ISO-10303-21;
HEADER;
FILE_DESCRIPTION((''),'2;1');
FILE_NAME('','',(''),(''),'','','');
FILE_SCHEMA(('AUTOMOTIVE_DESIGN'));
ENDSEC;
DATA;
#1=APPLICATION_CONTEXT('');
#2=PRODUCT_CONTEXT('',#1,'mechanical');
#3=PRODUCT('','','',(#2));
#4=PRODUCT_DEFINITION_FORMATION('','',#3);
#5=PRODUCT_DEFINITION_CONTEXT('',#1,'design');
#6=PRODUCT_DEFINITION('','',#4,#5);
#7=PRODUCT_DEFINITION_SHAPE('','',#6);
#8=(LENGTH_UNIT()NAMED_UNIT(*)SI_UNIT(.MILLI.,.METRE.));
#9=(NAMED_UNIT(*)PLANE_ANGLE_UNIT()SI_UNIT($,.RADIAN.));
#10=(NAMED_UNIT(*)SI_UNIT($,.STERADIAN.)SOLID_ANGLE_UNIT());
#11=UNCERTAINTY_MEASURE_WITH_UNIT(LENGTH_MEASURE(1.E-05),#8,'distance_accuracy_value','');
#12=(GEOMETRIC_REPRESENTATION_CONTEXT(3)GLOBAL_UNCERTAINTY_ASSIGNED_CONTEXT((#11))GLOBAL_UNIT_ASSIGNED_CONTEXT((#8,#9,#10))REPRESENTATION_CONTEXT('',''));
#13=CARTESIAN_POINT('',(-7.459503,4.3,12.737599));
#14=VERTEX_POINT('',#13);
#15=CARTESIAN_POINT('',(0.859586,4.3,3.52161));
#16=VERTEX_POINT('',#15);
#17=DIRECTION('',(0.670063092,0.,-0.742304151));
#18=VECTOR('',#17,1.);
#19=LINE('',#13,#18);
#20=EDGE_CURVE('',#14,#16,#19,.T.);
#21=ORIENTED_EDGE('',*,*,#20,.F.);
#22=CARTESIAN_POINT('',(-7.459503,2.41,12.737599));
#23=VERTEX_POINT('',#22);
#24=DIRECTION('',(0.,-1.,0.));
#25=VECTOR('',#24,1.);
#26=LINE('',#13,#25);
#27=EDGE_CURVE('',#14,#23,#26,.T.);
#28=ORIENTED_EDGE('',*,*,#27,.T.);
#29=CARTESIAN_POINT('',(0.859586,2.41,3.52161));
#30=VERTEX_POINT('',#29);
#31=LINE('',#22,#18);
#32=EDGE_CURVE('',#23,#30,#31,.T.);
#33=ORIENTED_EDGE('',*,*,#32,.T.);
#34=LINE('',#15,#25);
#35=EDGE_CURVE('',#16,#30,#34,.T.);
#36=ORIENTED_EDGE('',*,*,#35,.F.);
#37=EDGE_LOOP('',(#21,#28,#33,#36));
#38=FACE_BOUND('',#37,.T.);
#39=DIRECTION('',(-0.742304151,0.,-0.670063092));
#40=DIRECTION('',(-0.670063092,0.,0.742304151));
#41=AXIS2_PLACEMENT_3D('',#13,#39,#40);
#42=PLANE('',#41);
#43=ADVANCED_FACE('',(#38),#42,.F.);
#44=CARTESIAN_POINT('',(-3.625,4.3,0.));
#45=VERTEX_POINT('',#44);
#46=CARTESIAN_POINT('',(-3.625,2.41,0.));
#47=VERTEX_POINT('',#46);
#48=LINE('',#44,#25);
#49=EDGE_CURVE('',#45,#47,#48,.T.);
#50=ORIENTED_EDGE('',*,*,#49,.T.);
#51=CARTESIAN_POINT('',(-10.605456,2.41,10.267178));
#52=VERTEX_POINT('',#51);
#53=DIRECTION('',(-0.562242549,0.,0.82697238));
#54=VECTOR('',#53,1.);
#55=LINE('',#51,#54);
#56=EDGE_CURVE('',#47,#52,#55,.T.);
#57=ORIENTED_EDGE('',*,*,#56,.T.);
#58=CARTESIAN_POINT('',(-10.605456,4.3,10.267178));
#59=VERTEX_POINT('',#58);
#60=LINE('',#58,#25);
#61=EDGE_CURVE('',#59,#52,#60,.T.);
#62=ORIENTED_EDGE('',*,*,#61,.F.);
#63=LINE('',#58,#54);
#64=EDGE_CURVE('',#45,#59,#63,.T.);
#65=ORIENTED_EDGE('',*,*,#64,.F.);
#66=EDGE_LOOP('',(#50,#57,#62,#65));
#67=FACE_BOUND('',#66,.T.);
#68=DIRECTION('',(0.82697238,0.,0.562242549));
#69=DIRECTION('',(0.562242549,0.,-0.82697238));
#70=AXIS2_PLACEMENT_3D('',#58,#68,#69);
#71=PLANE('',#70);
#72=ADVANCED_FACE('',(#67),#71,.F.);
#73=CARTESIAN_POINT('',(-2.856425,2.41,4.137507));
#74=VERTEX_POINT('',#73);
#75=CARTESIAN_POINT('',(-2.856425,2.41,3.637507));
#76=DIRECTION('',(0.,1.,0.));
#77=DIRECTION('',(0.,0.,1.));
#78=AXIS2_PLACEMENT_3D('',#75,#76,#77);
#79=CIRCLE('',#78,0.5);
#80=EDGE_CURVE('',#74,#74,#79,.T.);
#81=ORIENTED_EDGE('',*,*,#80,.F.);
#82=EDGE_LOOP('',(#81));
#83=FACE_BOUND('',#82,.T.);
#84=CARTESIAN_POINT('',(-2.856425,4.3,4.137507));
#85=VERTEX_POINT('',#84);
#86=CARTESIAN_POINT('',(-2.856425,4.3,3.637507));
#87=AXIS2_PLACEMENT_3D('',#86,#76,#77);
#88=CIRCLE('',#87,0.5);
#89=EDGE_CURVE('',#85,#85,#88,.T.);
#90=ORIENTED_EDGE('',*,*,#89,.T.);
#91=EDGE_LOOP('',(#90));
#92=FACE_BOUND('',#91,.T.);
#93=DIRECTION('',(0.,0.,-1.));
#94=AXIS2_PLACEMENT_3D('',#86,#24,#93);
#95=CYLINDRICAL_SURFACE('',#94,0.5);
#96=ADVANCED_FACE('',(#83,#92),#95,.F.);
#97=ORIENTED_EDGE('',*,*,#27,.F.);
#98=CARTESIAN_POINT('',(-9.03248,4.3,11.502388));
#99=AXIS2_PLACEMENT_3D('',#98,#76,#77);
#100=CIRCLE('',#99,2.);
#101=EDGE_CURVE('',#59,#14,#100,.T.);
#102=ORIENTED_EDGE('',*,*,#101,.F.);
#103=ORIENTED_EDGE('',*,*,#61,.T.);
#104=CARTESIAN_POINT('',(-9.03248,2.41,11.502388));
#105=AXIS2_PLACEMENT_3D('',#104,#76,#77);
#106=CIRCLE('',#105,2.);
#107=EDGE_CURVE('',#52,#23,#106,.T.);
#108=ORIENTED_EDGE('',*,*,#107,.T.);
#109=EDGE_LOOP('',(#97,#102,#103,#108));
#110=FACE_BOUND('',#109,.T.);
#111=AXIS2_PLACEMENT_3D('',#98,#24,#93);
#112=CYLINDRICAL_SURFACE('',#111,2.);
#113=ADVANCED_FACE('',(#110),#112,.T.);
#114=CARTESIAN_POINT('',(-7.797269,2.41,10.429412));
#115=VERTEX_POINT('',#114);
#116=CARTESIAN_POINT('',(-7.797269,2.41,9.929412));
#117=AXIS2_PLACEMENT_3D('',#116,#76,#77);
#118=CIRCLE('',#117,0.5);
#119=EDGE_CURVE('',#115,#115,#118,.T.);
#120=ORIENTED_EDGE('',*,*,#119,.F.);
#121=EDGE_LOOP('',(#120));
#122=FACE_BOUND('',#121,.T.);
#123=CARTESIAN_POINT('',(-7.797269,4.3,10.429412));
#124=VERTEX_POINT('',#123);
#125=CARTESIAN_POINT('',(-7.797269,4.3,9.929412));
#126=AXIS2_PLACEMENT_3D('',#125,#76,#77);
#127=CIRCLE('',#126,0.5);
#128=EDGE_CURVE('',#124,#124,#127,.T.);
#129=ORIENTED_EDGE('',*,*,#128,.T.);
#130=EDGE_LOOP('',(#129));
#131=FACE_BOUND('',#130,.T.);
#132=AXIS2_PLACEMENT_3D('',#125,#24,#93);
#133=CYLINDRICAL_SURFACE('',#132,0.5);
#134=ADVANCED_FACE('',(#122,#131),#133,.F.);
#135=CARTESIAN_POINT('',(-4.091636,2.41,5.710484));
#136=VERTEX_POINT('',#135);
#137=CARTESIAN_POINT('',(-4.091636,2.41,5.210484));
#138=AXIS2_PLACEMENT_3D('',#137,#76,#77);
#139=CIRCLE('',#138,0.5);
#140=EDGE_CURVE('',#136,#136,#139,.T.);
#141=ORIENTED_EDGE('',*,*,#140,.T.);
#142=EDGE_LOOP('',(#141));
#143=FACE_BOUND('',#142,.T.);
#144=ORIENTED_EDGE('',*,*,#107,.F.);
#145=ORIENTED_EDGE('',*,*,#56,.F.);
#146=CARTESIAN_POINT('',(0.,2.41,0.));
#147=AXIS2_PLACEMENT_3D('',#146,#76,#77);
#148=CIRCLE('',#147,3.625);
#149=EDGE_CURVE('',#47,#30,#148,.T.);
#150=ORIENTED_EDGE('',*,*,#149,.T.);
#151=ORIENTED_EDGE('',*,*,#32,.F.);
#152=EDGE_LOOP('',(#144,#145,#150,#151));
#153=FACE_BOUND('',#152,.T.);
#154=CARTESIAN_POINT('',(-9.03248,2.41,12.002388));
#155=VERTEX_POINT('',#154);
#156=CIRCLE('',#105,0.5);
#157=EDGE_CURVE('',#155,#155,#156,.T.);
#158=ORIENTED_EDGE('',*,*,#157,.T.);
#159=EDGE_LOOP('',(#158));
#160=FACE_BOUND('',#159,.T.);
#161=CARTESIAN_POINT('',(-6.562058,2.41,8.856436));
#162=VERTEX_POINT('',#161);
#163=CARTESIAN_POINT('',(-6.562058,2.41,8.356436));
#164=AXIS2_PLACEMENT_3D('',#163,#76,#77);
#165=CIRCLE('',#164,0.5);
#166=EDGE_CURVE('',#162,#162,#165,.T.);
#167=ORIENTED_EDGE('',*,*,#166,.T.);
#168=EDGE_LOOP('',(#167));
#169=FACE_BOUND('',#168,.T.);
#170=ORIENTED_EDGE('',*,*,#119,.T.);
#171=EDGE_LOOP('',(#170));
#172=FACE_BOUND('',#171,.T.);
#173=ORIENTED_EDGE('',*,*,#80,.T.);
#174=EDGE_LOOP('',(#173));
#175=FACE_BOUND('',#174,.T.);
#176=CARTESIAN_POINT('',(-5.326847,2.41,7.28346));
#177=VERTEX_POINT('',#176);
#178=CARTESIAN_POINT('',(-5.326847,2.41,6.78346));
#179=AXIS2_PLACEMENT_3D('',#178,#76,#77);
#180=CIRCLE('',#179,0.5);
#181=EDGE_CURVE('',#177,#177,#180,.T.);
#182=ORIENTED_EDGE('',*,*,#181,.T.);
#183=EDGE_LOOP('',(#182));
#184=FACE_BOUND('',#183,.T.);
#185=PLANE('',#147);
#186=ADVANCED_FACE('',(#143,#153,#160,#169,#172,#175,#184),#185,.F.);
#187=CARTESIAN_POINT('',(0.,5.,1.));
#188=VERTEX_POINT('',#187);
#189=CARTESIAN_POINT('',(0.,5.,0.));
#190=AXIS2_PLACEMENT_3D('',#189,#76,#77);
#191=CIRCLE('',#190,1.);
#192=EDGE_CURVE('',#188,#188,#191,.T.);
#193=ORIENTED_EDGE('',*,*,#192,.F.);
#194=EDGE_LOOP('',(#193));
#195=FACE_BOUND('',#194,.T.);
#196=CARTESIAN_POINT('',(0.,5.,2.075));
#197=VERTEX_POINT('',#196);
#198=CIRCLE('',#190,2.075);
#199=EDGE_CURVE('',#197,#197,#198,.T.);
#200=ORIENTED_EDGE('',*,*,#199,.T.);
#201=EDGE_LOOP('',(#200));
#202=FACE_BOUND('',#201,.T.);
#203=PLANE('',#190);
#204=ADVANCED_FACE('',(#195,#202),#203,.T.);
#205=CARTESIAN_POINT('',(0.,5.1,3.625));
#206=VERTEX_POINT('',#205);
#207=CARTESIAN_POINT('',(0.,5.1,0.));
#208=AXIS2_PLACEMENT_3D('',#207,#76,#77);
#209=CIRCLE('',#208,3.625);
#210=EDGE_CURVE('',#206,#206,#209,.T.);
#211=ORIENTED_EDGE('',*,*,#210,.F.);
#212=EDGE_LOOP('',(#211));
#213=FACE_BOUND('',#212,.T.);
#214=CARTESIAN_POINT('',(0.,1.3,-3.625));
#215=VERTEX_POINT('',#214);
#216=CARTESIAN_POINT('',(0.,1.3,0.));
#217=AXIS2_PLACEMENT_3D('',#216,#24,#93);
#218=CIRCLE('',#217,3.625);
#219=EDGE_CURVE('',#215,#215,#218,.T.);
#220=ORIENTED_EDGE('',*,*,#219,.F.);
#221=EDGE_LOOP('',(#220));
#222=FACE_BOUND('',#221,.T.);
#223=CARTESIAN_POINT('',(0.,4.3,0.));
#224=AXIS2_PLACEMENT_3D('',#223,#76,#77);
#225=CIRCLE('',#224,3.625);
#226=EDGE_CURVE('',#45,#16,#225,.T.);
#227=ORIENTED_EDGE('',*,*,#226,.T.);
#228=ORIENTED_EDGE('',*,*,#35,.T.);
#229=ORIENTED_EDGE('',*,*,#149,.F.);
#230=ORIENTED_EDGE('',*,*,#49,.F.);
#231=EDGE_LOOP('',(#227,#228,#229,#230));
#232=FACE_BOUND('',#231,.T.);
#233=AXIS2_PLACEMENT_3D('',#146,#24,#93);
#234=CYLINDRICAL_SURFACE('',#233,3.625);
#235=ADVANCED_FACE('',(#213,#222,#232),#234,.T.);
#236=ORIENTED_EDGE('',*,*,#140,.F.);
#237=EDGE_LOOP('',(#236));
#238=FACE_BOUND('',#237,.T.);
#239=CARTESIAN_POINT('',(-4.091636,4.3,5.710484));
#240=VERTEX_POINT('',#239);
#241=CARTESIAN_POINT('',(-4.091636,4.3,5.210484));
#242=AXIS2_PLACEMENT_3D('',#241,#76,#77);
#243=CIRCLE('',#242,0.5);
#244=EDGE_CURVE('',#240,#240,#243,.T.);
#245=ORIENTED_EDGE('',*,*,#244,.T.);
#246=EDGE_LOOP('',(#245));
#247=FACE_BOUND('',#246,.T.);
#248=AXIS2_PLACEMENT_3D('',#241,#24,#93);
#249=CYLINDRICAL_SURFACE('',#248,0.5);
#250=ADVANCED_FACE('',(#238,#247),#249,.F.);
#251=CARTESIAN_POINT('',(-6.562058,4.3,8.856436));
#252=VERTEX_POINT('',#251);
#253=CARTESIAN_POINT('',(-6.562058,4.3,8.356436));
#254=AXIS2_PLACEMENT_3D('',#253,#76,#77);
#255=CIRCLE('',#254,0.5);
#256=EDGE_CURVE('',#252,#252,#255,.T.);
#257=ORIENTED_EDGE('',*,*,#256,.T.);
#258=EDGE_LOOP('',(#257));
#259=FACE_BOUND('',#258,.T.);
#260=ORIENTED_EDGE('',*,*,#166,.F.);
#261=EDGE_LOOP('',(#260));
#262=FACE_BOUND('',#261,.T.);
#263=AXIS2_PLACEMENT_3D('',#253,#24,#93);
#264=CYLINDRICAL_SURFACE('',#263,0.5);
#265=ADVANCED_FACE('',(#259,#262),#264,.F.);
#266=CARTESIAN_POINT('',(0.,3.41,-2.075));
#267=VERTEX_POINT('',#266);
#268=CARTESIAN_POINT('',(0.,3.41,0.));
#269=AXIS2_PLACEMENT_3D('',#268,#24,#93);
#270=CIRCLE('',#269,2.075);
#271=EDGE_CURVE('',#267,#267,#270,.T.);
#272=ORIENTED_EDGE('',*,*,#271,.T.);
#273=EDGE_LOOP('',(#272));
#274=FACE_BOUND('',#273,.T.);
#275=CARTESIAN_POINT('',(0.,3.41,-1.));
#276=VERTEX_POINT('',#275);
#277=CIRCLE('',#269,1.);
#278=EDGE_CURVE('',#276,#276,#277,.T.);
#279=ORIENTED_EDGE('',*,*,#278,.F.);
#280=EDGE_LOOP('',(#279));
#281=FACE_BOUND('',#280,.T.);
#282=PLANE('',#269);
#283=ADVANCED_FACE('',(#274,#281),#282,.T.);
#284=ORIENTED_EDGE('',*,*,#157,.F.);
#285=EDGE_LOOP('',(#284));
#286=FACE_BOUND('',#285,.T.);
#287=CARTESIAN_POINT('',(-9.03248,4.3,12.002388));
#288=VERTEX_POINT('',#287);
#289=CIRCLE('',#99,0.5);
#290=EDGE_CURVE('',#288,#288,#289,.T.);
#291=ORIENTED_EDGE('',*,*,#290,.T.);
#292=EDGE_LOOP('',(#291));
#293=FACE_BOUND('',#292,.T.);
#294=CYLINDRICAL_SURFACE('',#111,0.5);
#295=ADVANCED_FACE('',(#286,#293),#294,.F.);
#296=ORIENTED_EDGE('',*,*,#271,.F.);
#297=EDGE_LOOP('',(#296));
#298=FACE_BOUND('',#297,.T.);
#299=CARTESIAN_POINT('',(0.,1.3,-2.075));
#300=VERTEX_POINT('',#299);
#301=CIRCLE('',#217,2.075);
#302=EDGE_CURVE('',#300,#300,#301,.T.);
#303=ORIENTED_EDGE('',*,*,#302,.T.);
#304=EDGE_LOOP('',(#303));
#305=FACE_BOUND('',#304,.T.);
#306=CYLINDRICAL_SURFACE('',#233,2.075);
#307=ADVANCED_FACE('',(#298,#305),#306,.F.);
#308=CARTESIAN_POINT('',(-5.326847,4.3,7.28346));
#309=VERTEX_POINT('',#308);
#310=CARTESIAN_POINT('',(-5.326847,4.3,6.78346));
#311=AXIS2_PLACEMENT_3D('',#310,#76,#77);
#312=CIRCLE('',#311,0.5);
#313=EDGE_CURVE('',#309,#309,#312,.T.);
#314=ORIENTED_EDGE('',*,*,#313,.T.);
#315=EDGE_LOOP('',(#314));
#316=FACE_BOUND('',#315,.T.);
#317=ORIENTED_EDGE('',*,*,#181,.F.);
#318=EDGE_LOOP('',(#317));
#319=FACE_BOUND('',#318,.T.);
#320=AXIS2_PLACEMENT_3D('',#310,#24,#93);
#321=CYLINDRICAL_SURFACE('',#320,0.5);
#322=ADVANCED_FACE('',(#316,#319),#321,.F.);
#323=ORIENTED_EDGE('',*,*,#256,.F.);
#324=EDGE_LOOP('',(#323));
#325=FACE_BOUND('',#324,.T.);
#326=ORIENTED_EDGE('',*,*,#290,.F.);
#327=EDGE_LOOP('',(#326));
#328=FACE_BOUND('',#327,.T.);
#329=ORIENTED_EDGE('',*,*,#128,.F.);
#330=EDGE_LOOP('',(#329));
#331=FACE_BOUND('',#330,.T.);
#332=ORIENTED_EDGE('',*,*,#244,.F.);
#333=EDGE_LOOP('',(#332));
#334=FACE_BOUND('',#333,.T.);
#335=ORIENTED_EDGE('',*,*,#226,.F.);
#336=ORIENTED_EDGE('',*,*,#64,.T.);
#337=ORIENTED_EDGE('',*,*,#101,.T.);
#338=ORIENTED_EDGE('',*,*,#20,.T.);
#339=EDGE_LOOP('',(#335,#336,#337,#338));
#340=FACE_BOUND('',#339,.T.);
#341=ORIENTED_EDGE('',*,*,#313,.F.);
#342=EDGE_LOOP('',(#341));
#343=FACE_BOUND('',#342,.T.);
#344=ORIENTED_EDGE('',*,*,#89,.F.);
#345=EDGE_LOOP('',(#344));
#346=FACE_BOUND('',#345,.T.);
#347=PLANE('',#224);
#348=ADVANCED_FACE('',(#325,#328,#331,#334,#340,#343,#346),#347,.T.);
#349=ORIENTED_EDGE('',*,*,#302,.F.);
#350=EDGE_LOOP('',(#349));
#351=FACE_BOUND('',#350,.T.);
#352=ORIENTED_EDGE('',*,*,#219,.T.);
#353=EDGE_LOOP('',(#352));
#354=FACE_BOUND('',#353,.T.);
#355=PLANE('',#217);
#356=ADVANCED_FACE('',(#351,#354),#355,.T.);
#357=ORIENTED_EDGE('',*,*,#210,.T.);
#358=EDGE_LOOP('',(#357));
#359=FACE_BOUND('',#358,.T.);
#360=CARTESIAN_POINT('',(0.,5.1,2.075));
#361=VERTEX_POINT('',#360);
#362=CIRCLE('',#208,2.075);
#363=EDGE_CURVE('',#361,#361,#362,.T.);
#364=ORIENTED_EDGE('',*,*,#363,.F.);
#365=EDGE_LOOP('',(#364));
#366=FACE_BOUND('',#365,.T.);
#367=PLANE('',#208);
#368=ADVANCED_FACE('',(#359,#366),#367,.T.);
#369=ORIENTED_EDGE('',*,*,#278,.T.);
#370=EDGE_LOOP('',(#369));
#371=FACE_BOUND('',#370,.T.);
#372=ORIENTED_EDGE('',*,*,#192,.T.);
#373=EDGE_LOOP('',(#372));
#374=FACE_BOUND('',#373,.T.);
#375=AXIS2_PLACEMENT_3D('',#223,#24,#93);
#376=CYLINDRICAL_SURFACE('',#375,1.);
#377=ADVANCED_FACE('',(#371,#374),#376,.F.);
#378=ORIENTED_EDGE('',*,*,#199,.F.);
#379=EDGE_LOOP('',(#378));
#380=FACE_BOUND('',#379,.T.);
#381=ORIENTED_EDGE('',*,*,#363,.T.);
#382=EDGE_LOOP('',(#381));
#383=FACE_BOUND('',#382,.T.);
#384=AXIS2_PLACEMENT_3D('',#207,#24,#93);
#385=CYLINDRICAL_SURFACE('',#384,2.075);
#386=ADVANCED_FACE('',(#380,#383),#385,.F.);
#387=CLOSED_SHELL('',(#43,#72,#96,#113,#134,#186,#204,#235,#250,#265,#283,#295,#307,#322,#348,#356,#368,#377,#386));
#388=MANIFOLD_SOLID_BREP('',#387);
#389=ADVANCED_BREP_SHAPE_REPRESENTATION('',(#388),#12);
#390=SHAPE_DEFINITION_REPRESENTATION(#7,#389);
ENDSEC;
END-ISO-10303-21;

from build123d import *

# Parameters (mm, degrees)
SKETCH1_R           = 3.625
SKETCH1_R_2         = 2.075
BOSS_EXTRUDE1_DEPTH = 2.41
SKETCH2_R           = 1
SKETCH2_R_2         = 0.5
BOSS_EXTRUDE3_DEPTH = 1.89
BOSS_EXTRUDE4_START = 4.3
SKETCH1_2_R         = 3.625
SKETCH1_2_R_2       = 2.075
BOSS_EXTRUDE4_DEPTH = 0.8
SKETCH3_R           = 3.625
SKETCH3_R_2         = 2.075
CUT_EXTRUDE1_DEPTH  = 1.3
SKETCH4_R           = 2.075
SKETCH4_R_2         = 1
BOSS_EXTRUDE5_DEPTH = 0.7
SKETCH5_R           = 2.075
SKETCH5_R_2         = 1
CUT_EXTRUDE2_DEPTH  = 1


with BuildPart() as part:
    # Sketch1 → Boss-Extrude1 (new body)
    with BuildSketch(Plane(origin=(0, 0, 0), x_dir=(1, 0, 0), z_dir=(0, 1, 0))):
        with Locations(Location((0, 0, 0), (0, 0, 270))):
            Circle(SKETCH1_R)
        with Locations(Location((0, 0, 0), (0, 0, 270))):
            Circle(SKETCH1_R_2, mode=Mode.SUBTRACT)
    extrude(amount=BOSS_EXTRUDE1_DEPTH)

    # Sketch2 → Boss-Extrude3 (add)
    with BuildSketch(Plane(origin=(0, 2.41, 0), x_dir=(1, 0, 0), z_dir=(0, 1, 0))):
        with BuildLine():
            Line((-10.6054557, -10.267177528), (-3.625, 0))
            ThreePointArc((-3.625, 0), (2.238819707, 2.851019347), (0.859585555, -3.521610097))
            Line((0.859585555, -3.521610097), (-7.459503317, -12.737599274))
            ThreePointArc((-7.459503317, -12.737599274), (-10.267690381, -13.075364593), (-10.6054557, -10.267177528))
        make_face()
        with Locations(Location((0, 0, 0), (0, 0, 270))):
            Circle(SKETCH2_R, mode=Mode.SUBTRACT)
        with Locations(Location((-9.032479508, -11.502388401, 0), (0, 0, 270))):
            Circle(SKETCH2_R_2, mode=Mode.SUBTRACT)
        with Locations(Location((-7.797268635, -9.92941221, 0), (0, 0, 270))):
            Circle(SKETCH2_R_2, mode=Mode.SUBTRACT)
        with Locations(Location((-6.562057762, -8.356436018, 0), (0, 0, 270))):
            Circle(SKETCH2_R_2, mode=Mode.SUBTRACT)
        with Locations(Location((-5.32684689, -6.783459826, 0), (0, 0, 270))):
            Circle(SKETCH2_R_2, mode=Mode.SUBTRACT)
        with Locations(Location((-4.091636017, -5.210483635, 0), (0, 0, 270))):
            Circle(SKETCH2_R_2, mode=Mode.SUBTRACT)
        with Locations(Location((-2.856425144, -3.637507443, 0), (0, 0, 270))):
            Circle(SKETCH2_R_2, mode=Mode.SUBTRACT)
    extrude(amount=BOSS_EXTRUDE3_DEPTH)

    # Sketch1<2> → Boss-Extrude4 (add)
    with BuildSketch(Plane(origin=(0, 0, 0), x_dir=(1, 0, 0), z_dir=(0, 1, 0)).offset(BOSS_EXTRUDE4_START)):
        with Locations(Location((0, 0, 0), (0, 0, 270))):
            Circle(SKETCH1_2_R)
        with Locations(Location((0, 0, 0), (0, 0, 270))):
            Circle(SKETCH1_2_R_2, mode=Mode.SUBTRACT)
    extrude(amount=BOSS_EXTRUDE4_DEPTH)

    # Sketch3 → Cut-Extrude1 (cut)
    with BuildSketch(Plane.XZ):
        with Locations(Location((0, 0, 0), (0, 0, 270))):
            Circle(SKETCH3_R)
        with Locations(Location((0, 0, 0), (0, 0, 270))):
            Circle(SKETCH3_R_2, mode=Mode.SUBTRACT)
    extrude(amount=-CUT_EXTRUDE1_DEPTH, mode=Mode.SUBTRACT)

    # Sketch4 → Boss-Extrude5 (add)
    with BuildSketch(Plane(origin=(0, 4.3, 0), x_dir=(1, 0, 0), z_dir=(0, 1, 0))):
        with Locations(Location((0, 0, 0), (0, 0, 90))):
            Circle(SKETCH4_R)
        with Locations(Location((0, 0, 0), (0, 0, 270))):
            Circle(SKETCH4_R_2, mode=Mode.SUBTRACT)
    extrude(amount=BOSS_EXTRUDE5_DEPTH)

    # Sketch5 → Cut-Extrude2 (cut)
    with BuildSketch(Plane.XZ.offset(-2.41)):
        with Locations(Location((0, 0, 0), (0, 0, 270))):
            Circle(SKETCH5_R)
        with Locations(Location((0, 0, 0), (0, 0, 270))):
            Circle(SKETCH5_R_2, mode=Mode.SUBTRACT)
    extrude(amount=-CUT_EXTRUDE2_DEPTH, mode=Mode.SUBTRACT)


solid = part.part
